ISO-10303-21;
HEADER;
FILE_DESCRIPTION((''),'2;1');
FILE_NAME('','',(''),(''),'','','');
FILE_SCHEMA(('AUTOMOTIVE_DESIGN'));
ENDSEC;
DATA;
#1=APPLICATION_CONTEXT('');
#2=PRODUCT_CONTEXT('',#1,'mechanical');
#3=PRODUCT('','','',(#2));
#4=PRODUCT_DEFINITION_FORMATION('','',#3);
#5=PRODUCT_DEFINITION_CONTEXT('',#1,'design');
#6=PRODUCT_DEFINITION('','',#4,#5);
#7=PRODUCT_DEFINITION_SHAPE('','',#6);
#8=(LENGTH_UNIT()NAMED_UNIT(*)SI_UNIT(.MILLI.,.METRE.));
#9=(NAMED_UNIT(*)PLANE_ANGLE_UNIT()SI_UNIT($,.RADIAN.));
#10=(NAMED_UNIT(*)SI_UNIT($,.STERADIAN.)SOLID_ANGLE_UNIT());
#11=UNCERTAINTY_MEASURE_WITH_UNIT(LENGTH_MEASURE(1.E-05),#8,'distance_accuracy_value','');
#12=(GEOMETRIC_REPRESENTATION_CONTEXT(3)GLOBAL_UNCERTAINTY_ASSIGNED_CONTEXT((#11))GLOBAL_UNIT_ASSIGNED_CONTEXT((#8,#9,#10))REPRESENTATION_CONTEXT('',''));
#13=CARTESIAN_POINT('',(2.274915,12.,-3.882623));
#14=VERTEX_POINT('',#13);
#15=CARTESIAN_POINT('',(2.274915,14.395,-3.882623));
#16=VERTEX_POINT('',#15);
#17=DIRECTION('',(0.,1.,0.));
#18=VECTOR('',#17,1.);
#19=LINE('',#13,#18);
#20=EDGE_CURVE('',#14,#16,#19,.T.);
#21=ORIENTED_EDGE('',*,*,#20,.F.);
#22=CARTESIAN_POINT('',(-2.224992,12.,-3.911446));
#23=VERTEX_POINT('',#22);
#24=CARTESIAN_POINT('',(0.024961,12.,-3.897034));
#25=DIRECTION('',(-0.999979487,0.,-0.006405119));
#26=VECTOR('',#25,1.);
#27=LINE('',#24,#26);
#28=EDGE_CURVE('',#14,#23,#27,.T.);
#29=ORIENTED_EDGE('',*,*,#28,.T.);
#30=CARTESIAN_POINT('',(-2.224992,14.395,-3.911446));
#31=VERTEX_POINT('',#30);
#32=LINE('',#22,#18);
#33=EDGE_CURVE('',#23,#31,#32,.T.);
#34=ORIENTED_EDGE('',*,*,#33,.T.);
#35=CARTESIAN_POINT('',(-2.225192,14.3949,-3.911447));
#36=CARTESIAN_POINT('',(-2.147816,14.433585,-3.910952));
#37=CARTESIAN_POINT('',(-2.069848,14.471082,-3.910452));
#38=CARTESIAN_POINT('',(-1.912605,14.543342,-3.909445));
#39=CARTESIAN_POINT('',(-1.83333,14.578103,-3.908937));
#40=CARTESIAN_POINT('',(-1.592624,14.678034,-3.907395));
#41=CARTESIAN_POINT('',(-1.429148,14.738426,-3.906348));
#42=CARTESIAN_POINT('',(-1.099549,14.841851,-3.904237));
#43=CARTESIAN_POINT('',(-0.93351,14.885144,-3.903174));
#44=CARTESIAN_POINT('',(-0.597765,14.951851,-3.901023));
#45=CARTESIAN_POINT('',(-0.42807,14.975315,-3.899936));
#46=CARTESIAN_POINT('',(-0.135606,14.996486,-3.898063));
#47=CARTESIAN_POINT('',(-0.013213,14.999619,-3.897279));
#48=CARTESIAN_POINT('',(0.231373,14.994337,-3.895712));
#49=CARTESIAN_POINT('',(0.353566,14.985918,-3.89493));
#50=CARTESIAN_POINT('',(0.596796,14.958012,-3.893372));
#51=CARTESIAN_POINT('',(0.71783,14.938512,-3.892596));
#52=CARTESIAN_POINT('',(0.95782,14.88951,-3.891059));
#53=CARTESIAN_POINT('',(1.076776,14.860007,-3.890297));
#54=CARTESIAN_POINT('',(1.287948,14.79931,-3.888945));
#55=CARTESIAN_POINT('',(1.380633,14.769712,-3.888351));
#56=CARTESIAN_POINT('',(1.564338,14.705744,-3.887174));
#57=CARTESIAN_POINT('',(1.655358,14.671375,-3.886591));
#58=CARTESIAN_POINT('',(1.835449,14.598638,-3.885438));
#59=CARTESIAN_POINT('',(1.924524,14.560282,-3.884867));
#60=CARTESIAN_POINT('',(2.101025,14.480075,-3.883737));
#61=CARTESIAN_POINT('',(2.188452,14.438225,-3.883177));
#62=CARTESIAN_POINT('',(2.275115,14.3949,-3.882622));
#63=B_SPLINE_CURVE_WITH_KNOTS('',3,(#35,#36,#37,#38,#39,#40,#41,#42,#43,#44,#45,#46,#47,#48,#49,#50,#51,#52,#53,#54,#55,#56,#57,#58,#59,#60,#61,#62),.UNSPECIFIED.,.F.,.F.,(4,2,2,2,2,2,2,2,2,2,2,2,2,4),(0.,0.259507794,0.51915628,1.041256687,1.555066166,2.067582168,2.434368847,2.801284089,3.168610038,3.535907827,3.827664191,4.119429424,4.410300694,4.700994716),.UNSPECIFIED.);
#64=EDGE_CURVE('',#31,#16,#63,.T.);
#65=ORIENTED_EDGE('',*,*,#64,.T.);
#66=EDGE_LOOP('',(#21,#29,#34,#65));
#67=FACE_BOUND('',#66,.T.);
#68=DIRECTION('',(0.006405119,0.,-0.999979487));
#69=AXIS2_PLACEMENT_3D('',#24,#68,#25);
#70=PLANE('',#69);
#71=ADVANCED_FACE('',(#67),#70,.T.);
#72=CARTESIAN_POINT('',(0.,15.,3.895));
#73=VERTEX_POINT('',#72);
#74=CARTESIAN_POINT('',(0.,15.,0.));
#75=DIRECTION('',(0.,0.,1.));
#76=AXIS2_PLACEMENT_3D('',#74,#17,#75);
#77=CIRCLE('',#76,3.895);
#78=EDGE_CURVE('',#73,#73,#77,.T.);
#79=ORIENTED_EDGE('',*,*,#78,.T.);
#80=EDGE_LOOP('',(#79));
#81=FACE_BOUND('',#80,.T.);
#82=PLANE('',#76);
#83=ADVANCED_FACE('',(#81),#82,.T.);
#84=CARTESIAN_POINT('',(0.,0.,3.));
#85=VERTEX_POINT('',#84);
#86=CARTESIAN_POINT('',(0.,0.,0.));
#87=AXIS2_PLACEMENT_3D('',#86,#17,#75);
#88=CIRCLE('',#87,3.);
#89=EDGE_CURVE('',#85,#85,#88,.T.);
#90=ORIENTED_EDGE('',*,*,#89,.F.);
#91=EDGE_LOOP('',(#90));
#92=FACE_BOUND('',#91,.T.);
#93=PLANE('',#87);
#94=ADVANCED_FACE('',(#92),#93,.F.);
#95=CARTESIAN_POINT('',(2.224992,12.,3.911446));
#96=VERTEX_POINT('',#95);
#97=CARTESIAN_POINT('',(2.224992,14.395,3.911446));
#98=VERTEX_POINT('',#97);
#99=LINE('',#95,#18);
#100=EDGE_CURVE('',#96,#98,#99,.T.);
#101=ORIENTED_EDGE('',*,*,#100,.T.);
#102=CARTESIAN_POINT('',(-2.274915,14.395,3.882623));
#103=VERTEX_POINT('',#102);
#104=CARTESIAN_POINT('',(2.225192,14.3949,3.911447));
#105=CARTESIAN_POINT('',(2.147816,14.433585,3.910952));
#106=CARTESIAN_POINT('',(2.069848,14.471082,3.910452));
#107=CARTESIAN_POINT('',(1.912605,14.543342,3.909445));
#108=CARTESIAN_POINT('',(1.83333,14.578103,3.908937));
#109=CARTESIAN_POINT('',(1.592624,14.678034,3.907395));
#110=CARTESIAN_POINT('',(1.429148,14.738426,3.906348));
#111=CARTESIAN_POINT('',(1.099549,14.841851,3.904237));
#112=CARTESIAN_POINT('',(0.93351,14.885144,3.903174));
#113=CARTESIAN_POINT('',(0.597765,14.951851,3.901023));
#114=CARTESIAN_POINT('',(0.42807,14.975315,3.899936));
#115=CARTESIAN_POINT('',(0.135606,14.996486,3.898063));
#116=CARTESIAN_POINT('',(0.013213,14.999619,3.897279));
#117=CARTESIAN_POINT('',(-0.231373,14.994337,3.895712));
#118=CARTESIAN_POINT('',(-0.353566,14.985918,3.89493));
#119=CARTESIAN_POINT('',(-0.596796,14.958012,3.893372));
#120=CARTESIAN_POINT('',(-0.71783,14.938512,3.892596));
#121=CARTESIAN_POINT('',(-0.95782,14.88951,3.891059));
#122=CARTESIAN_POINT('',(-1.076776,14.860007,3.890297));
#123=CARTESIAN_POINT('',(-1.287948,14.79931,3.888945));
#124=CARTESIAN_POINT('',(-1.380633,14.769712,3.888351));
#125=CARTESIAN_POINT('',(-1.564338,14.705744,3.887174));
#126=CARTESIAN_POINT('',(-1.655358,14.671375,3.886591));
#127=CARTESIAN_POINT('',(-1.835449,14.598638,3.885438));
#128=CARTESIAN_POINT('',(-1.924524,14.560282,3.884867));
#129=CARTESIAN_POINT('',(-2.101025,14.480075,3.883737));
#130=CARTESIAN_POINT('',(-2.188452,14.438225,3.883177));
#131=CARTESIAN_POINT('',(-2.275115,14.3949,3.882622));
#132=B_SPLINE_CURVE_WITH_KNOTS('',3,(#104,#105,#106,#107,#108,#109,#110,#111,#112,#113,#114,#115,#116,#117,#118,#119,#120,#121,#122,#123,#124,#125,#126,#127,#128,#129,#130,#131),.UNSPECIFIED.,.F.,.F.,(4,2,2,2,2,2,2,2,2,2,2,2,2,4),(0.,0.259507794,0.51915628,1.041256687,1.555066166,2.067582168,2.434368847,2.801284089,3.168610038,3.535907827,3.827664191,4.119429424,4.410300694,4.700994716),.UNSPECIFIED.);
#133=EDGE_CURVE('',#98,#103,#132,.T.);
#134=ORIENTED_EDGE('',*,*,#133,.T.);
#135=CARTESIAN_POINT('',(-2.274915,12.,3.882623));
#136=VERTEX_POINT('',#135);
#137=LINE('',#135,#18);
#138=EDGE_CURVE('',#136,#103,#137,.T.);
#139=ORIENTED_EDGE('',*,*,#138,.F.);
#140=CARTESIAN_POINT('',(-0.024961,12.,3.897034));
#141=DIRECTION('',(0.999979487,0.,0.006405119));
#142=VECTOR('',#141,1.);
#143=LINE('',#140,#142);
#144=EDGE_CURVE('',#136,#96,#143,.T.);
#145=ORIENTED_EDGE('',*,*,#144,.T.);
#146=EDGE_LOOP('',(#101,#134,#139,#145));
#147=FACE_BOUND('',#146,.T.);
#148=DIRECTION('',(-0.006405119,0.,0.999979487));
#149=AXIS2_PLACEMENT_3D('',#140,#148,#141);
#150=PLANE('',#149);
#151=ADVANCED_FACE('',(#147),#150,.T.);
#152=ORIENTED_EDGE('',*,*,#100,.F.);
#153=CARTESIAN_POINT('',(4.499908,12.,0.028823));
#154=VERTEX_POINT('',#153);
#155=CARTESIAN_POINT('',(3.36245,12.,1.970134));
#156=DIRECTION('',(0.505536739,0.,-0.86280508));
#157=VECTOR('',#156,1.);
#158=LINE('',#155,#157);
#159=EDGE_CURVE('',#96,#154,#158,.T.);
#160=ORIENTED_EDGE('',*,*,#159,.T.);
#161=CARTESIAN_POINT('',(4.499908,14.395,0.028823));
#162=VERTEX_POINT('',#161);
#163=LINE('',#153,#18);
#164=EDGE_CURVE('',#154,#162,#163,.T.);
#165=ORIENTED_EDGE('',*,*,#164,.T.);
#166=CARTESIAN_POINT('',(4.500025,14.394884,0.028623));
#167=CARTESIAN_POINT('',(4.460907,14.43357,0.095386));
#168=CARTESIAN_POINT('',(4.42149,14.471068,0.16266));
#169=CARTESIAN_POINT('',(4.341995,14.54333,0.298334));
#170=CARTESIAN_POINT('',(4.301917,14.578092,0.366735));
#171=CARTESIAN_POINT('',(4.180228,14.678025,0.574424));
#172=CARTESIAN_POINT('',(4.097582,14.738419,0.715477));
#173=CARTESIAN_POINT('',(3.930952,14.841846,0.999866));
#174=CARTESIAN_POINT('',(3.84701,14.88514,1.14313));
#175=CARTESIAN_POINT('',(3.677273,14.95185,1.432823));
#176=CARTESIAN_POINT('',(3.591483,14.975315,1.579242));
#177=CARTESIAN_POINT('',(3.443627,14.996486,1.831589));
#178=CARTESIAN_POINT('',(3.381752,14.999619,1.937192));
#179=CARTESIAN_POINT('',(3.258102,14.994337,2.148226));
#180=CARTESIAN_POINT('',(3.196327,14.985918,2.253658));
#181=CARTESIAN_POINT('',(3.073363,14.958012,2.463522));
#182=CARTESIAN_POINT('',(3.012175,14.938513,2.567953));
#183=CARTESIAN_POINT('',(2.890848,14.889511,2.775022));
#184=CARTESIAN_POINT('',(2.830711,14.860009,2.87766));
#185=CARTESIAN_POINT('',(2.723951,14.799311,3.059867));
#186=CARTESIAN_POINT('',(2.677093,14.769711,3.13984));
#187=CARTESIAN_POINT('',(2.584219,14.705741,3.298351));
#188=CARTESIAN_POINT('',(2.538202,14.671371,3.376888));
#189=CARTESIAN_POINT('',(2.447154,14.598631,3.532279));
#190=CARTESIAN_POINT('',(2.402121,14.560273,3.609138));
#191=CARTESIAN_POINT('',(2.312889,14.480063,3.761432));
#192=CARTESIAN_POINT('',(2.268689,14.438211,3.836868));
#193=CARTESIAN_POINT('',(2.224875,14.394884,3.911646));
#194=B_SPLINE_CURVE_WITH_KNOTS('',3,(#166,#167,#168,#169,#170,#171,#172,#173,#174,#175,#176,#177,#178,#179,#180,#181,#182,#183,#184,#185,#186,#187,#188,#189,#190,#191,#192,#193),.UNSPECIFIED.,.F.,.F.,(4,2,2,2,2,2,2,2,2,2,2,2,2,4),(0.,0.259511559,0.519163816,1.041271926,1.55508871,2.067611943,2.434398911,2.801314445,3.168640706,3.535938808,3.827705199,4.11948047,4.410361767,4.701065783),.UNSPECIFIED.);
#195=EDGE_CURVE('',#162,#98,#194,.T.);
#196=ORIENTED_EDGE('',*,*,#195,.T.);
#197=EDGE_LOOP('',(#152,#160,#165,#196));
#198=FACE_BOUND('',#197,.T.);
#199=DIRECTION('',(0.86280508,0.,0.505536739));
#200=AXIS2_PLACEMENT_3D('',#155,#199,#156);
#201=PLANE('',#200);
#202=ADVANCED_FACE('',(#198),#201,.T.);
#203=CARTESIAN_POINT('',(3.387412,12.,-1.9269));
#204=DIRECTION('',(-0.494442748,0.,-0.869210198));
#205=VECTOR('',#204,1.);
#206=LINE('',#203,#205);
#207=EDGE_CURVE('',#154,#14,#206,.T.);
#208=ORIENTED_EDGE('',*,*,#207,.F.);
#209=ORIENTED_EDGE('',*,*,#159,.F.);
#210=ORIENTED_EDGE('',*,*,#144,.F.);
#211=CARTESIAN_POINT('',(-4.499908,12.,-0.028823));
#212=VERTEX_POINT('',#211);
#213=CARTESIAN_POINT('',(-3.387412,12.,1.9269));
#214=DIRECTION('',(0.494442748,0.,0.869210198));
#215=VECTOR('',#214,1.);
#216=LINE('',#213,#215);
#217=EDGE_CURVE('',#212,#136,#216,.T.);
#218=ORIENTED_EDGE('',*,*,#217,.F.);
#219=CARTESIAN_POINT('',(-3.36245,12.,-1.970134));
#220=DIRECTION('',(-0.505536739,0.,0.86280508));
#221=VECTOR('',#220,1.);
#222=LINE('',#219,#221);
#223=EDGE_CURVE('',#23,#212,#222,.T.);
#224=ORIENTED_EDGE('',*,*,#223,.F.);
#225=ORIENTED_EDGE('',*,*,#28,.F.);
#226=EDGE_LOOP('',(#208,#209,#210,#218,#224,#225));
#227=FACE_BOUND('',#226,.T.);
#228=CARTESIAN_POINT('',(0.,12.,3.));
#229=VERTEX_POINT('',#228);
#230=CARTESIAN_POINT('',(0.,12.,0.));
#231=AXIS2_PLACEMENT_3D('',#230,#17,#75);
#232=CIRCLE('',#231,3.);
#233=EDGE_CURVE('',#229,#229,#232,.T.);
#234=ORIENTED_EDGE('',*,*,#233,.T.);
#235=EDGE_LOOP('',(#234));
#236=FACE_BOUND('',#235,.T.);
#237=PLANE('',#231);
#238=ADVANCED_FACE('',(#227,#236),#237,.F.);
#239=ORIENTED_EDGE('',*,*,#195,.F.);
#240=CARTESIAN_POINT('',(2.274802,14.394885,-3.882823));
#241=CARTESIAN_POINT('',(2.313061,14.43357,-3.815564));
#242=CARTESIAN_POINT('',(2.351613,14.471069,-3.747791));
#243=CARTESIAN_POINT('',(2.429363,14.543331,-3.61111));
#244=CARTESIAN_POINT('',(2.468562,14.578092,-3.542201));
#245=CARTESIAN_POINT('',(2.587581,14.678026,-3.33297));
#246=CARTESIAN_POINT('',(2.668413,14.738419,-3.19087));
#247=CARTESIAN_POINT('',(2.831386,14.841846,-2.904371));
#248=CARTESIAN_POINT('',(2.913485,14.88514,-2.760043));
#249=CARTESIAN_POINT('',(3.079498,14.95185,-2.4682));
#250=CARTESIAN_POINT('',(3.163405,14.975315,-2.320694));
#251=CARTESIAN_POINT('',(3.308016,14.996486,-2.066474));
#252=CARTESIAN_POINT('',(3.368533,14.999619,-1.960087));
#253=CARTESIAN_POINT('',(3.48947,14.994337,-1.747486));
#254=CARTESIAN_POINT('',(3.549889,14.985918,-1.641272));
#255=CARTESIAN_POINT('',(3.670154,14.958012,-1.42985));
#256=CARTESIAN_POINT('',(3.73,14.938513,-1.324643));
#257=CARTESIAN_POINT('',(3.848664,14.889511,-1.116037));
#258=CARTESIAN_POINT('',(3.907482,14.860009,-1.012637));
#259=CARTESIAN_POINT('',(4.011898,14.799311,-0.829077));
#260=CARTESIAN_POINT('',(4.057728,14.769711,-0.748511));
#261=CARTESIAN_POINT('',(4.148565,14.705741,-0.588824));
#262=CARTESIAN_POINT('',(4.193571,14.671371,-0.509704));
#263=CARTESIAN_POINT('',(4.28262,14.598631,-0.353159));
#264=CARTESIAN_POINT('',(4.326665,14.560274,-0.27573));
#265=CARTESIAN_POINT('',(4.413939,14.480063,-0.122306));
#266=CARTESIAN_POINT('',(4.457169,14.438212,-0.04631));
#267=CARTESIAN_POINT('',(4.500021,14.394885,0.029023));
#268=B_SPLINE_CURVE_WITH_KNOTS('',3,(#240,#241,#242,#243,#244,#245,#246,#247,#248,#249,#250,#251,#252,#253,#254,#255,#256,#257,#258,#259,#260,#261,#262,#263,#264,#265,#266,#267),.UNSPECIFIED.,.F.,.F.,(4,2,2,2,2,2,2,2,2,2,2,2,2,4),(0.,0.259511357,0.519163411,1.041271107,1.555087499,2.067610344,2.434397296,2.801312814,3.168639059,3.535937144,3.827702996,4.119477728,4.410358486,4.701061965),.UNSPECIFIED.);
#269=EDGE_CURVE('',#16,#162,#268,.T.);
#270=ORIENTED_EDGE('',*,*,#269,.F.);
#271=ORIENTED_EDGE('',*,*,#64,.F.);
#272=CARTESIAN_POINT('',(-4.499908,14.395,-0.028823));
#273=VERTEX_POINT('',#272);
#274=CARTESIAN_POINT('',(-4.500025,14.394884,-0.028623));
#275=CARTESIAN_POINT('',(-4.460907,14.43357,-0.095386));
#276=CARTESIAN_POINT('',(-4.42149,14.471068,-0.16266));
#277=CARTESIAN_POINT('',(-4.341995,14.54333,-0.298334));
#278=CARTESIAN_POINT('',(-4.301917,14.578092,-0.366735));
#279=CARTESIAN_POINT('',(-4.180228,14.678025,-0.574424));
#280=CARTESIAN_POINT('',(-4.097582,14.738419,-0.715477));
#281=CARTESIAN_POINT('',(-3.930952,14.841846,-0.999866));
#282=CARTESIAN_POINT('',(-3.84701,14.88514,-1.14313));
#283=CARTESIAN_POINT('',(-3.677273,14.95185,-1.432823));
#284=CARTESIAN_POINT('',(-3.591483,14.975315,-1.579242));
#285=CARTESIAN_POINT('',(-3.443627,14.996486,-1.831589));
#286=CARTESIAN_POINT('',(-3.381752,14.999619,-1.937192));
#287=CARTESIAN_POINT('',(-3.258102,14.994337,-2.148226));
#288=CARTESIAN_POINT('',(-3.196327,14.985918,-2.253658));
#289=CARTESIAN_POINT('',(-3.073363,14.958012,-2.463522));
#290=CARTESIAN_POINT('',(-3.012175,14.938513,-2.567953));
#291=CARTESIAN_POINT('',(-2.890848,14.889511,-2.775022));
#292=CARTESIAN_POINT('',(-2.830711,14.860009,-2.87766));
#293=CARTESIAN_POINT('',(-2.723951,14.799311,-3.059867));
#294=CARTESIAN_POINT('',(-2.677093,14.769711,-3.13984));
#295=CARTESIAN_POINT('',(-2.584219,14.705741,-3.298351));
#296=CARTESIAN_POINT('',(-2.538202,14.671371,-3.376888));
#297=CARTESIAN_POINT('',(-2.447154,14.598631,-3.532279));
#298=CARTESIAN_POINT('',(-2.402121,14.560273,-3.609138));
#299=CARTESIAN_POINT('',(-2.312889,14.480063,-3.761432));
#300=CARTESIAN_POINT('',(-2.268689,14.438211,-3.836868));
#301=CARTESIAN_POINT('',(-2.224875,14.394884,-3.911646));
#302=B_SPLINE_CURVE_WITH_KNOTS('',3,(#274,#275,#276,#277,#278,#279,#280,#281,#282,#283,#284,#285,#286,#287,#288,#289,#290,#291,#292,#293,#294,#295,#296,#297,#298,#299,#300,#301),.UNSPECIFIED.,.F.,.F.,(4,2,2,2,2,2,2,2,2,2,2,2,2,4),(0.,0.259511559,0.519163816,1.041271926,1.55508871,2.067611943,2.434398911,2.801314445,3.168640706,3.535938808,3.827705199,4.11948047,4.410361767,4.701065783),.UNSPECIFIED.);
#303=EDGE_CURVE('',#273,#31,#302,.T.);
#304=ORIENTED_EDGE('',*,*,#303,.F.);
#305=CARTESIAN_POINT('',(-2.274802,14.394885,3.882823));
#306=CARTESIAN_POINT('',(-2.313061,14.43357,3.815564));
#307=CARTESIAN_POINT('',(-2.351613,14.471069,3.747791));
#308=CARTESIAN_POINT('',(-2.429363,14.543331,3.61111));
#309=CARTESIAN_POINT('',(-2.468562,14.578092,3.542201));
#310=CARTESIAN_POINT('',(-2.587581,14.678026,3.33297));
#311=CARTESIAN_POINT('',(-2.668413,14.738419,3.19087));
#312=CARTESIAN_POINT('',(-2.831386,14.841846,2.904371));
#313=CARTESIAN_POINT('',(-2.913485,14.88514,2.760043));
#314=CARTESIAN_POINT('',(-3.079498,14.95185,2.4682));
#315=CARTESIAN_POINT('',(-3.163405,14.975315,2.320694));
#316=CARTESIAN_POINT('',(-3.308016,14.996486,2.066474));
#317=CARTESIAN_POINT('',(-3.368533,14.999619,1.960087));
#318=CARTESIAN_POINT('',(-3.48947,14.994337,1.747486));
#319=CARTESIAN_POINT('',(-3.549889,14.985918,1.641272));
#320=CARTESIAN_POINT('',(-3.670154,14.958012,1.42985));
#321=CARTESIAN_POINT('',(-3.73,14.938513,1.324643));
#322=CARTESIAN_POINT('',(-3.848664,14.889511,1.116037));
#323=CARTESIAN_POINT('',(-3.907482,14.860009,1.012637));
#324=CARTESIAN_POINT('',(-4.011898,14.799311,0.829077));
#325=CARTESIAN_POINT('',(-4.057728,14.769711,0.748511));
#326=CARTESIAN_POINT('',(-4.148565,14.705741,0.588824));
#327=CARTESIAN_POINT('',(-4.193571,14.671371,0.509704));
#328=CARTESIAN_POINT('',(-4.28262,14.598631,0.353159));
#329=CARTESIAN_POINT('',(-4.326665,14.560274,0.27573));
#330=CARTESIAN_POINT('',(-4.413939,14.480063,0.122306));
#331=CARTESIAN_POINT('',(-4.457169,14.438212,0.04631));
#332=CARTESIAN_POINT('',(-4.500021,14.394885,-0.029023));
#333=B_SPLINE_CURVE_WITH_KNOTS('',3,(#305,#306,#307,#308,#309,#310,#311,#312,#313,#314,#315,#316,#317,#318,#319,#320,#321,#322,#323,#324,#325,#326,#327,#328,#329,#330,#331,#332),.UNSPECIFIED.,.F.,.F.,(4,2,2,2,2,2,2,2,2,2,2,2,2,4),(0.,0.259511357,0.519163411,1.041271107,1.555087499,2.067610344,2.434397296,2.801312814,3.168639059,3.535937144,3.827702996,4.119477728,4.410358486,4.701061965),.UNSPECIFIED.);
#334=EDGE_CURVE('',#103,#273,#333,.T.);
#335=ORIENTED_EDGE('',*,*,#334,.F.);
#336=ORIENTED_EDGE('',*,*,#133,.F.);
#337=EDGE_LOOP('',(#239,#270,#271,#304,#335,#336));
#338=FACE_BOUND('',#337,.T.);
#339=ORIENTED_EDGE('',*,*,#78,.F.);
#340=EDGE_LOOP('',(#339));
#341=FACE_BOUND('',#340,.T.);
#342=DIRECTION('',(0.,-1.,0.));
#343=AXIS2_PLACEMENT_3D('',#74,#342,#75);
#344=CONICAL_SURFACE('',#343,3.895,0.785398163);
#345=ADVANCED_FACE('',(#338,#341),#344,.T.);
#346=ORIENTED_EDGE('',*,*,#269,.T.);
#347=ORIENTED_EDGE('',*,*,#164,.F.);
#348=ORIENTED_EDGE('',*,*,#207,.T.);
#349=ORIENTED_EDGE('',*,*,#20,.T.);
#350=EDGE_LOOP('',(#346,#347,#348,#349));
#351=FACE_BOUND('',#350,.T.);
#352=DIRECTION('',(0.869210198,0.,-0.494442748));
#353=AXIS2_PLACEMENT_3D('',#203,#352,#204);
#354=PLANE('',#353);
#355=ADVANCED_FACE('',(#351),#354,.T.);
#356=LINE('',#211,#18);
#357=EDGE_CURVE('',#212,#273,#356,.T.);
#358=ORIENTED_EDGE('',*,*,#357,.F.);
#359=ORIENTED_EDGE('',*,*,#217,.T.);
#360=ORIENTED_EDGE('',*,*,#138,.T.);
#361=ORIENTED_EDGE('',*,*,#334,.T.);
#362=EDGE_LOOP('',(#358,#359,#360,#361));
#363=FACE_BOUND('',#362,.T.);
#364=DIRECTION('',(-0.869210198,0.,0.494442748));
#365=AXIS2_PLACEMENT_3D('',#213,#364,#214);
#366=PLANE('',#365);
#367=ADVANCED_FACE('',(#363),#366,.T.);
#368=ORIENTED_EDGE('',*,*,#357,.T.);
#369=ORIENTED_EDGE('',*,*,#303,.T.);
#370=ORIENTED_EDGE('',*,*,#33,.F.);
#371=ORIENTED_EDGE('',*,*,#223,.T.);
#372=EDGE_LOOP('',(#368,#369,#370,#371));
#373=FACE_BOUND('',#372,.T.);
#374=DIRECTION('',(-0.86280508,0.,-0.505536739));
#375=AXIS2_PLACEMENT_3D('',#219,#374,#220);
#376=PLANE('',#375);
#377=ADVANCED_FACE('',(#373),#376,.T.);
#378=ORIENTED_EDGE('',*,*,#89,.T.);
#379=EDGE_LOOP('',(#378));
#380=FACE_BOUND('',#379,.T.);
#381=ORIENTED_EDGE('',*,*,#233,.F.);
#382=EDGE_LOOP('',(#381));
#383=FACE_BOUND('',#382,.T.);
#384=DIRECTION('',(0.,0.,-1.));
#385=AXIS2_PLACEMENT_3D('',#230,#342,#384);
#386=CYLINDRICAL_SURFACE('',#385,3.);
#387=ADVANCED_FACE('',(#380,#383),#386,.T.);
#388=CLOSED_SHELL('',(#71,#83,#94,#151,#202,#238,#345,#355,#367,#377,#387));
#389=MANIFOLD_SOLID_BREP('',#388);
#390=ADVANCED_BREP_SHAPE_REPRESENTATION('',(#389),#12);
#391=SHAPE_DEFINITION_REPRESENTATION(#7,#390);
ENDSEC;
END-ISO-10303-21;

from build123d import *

# Parameters (mm, degrees)
SKETCH1_R           = 3
BOSS_EXTRUDE1_DEPTH = 12
SKETCH2_R           = 4.5
BOSS_EXTRUDE2_DEPTH = 3
CUT_EXTRUDE3_START  = -3
CUT_EXTRUDE3_DEPTH  = 3
SKETCH4_OUTSIDE_W   = 49.116
SKETCH4_OUTSIDE_H   = 47.938
SKETCH4_OUTSIDE_R   = 3.895
CUT_EXTRUDE4_DEPTH  = 17.141517221
CUT_EXTRUDE4_DRAFT  = -45


with BuildPart() as part:
    # Sketch1 → Boss-Extrude1 (new body)
    with BuildSketch(Plane(origin=(0, 0, 0), x_dir=(1, 0, 0), z_dir=(0, 1, 0))):
        Circle(SKETCH1_R)
    extrude(amount=BOSS_EXTRUDE1_DEPTH)

    # Sketch2 → Boss-Extrude2 (add)
    with BuildSketch(Plane(origin=(0, 12, 0), x_dir=(1, 0, 0), z_dir=(0, 1, 0))):
        Circle(SKETCH2_R)
    extrude(amount=BOSS_EXTRUDE2_DEPTH)

    # Sketch3 → Cut-Extrude3 (cut)
    with BuildSketch(Plane(origin=(0, 15, 0), x_dir=(1, 0, 0), z_dir=(0, 1, 0)).offset(CUT_EXTRUDE3_START)):
        with BuildLine():
            ThreePointArc((-2.274915326, -3.882622858), (-0.028823035, -4.499907692), (2.224992365, -3.911445893))
            Line((2.224992365, -3.911445893), (-2.274915326, -3.882622858))
        make_face()
        with BuildLine():
            Line((4.499907692, -0.028823035), (2.224992365, -3.911445893))
            ThreePointArc((2.224992365, -3.911445893), (3.882622858, -2.274915326), (4.499907692, -0.028823035))
        make_face()
        with BuildLine():
            Line((2.274915326, 3.882622858), (4.499907692, -0.028823035))
            ThreePointArc((4.499907692, -0.028823035), (3.911445893, 2.224992365), (2.274915326, 3.882622858))
        make_face()
        with BuildLine():
            ThreePointArc((-4.499907692, 0.028823035), (-3.911445893, -2.224992365), (-2.274915326, -3.882622858))
            Line((-2.274915326, -3.882622858), (-4.499907692, 0.028823035))
        make_face()
        with BuildLine():
            Line((-2.224992365, 3.911445893), (2.274915326, 3.882622858))
            ThreePointArc((2.274915326, 3.882622858), (0.028823035, 4.499907692), (-2.224992365, 3.911445893))
        make_face()
        with BuildLine():
            ThreePointArc((-2.224992365, 3.911445893), (-3.882622858, 2.274915326), (-4.499907692, 0.028823035))
            Line((-4.499907692, 0.028823035), (-2.224992365, 3.911445893))
        make_face()
    extrude(amount=CUT_EXTRUDE3_DEPTH, mode=Mode.SUBTRACT)


with BuildPart() as cut_extrude4_tool:
    # Sketch4 outside → Cut-Extrude4 (with draft: the straight prism first)
    with BuildSketch(Plane(origin=(0, 15, 0), x_dir=(1, 0, 0), z_dir=(0, 1, 0))):
        Rectangle(SKETCH4_OUTSIDE_W, SKETCH4_OUTSIDE_H)
        Circle(SKETCH4_OUTSIDE_R, mode=Mode.SUBTRACT)
    extrude(amount=-CUT_EXTRUDE4_DEPTH)
    # Cut-Extrude4: the draft: its side faces are tilted about the plane it starts from
    cut_extrude4_sides = [cut_extrude4_tool.faces().sort_by_distance(p)[0] for p in [
        (0, 6.429241389, 23.969),
        (24.558, 6.429241389, 0),
        (0, 6.429241389, -23.969),
        (-24.558, 6.429241389, 0),
        (-3.895, 6.429241389, 0),
    ]]
    draft(cut_extrude4_sides, Plane(origin=(0, 15, 0), x_dir=(1, 0, 0), z_dir=(0, 1, 0)), CUT_EXTRUDE4_DRAFT)


with BuildPart() as part_1:
    add(part.part)

    # Cut-Extrude4: cut by cut_extrude4_tool
    add(cut_extrude4_tool.part, mode=Mode.SUBTRACT)


solid = part_1.part
